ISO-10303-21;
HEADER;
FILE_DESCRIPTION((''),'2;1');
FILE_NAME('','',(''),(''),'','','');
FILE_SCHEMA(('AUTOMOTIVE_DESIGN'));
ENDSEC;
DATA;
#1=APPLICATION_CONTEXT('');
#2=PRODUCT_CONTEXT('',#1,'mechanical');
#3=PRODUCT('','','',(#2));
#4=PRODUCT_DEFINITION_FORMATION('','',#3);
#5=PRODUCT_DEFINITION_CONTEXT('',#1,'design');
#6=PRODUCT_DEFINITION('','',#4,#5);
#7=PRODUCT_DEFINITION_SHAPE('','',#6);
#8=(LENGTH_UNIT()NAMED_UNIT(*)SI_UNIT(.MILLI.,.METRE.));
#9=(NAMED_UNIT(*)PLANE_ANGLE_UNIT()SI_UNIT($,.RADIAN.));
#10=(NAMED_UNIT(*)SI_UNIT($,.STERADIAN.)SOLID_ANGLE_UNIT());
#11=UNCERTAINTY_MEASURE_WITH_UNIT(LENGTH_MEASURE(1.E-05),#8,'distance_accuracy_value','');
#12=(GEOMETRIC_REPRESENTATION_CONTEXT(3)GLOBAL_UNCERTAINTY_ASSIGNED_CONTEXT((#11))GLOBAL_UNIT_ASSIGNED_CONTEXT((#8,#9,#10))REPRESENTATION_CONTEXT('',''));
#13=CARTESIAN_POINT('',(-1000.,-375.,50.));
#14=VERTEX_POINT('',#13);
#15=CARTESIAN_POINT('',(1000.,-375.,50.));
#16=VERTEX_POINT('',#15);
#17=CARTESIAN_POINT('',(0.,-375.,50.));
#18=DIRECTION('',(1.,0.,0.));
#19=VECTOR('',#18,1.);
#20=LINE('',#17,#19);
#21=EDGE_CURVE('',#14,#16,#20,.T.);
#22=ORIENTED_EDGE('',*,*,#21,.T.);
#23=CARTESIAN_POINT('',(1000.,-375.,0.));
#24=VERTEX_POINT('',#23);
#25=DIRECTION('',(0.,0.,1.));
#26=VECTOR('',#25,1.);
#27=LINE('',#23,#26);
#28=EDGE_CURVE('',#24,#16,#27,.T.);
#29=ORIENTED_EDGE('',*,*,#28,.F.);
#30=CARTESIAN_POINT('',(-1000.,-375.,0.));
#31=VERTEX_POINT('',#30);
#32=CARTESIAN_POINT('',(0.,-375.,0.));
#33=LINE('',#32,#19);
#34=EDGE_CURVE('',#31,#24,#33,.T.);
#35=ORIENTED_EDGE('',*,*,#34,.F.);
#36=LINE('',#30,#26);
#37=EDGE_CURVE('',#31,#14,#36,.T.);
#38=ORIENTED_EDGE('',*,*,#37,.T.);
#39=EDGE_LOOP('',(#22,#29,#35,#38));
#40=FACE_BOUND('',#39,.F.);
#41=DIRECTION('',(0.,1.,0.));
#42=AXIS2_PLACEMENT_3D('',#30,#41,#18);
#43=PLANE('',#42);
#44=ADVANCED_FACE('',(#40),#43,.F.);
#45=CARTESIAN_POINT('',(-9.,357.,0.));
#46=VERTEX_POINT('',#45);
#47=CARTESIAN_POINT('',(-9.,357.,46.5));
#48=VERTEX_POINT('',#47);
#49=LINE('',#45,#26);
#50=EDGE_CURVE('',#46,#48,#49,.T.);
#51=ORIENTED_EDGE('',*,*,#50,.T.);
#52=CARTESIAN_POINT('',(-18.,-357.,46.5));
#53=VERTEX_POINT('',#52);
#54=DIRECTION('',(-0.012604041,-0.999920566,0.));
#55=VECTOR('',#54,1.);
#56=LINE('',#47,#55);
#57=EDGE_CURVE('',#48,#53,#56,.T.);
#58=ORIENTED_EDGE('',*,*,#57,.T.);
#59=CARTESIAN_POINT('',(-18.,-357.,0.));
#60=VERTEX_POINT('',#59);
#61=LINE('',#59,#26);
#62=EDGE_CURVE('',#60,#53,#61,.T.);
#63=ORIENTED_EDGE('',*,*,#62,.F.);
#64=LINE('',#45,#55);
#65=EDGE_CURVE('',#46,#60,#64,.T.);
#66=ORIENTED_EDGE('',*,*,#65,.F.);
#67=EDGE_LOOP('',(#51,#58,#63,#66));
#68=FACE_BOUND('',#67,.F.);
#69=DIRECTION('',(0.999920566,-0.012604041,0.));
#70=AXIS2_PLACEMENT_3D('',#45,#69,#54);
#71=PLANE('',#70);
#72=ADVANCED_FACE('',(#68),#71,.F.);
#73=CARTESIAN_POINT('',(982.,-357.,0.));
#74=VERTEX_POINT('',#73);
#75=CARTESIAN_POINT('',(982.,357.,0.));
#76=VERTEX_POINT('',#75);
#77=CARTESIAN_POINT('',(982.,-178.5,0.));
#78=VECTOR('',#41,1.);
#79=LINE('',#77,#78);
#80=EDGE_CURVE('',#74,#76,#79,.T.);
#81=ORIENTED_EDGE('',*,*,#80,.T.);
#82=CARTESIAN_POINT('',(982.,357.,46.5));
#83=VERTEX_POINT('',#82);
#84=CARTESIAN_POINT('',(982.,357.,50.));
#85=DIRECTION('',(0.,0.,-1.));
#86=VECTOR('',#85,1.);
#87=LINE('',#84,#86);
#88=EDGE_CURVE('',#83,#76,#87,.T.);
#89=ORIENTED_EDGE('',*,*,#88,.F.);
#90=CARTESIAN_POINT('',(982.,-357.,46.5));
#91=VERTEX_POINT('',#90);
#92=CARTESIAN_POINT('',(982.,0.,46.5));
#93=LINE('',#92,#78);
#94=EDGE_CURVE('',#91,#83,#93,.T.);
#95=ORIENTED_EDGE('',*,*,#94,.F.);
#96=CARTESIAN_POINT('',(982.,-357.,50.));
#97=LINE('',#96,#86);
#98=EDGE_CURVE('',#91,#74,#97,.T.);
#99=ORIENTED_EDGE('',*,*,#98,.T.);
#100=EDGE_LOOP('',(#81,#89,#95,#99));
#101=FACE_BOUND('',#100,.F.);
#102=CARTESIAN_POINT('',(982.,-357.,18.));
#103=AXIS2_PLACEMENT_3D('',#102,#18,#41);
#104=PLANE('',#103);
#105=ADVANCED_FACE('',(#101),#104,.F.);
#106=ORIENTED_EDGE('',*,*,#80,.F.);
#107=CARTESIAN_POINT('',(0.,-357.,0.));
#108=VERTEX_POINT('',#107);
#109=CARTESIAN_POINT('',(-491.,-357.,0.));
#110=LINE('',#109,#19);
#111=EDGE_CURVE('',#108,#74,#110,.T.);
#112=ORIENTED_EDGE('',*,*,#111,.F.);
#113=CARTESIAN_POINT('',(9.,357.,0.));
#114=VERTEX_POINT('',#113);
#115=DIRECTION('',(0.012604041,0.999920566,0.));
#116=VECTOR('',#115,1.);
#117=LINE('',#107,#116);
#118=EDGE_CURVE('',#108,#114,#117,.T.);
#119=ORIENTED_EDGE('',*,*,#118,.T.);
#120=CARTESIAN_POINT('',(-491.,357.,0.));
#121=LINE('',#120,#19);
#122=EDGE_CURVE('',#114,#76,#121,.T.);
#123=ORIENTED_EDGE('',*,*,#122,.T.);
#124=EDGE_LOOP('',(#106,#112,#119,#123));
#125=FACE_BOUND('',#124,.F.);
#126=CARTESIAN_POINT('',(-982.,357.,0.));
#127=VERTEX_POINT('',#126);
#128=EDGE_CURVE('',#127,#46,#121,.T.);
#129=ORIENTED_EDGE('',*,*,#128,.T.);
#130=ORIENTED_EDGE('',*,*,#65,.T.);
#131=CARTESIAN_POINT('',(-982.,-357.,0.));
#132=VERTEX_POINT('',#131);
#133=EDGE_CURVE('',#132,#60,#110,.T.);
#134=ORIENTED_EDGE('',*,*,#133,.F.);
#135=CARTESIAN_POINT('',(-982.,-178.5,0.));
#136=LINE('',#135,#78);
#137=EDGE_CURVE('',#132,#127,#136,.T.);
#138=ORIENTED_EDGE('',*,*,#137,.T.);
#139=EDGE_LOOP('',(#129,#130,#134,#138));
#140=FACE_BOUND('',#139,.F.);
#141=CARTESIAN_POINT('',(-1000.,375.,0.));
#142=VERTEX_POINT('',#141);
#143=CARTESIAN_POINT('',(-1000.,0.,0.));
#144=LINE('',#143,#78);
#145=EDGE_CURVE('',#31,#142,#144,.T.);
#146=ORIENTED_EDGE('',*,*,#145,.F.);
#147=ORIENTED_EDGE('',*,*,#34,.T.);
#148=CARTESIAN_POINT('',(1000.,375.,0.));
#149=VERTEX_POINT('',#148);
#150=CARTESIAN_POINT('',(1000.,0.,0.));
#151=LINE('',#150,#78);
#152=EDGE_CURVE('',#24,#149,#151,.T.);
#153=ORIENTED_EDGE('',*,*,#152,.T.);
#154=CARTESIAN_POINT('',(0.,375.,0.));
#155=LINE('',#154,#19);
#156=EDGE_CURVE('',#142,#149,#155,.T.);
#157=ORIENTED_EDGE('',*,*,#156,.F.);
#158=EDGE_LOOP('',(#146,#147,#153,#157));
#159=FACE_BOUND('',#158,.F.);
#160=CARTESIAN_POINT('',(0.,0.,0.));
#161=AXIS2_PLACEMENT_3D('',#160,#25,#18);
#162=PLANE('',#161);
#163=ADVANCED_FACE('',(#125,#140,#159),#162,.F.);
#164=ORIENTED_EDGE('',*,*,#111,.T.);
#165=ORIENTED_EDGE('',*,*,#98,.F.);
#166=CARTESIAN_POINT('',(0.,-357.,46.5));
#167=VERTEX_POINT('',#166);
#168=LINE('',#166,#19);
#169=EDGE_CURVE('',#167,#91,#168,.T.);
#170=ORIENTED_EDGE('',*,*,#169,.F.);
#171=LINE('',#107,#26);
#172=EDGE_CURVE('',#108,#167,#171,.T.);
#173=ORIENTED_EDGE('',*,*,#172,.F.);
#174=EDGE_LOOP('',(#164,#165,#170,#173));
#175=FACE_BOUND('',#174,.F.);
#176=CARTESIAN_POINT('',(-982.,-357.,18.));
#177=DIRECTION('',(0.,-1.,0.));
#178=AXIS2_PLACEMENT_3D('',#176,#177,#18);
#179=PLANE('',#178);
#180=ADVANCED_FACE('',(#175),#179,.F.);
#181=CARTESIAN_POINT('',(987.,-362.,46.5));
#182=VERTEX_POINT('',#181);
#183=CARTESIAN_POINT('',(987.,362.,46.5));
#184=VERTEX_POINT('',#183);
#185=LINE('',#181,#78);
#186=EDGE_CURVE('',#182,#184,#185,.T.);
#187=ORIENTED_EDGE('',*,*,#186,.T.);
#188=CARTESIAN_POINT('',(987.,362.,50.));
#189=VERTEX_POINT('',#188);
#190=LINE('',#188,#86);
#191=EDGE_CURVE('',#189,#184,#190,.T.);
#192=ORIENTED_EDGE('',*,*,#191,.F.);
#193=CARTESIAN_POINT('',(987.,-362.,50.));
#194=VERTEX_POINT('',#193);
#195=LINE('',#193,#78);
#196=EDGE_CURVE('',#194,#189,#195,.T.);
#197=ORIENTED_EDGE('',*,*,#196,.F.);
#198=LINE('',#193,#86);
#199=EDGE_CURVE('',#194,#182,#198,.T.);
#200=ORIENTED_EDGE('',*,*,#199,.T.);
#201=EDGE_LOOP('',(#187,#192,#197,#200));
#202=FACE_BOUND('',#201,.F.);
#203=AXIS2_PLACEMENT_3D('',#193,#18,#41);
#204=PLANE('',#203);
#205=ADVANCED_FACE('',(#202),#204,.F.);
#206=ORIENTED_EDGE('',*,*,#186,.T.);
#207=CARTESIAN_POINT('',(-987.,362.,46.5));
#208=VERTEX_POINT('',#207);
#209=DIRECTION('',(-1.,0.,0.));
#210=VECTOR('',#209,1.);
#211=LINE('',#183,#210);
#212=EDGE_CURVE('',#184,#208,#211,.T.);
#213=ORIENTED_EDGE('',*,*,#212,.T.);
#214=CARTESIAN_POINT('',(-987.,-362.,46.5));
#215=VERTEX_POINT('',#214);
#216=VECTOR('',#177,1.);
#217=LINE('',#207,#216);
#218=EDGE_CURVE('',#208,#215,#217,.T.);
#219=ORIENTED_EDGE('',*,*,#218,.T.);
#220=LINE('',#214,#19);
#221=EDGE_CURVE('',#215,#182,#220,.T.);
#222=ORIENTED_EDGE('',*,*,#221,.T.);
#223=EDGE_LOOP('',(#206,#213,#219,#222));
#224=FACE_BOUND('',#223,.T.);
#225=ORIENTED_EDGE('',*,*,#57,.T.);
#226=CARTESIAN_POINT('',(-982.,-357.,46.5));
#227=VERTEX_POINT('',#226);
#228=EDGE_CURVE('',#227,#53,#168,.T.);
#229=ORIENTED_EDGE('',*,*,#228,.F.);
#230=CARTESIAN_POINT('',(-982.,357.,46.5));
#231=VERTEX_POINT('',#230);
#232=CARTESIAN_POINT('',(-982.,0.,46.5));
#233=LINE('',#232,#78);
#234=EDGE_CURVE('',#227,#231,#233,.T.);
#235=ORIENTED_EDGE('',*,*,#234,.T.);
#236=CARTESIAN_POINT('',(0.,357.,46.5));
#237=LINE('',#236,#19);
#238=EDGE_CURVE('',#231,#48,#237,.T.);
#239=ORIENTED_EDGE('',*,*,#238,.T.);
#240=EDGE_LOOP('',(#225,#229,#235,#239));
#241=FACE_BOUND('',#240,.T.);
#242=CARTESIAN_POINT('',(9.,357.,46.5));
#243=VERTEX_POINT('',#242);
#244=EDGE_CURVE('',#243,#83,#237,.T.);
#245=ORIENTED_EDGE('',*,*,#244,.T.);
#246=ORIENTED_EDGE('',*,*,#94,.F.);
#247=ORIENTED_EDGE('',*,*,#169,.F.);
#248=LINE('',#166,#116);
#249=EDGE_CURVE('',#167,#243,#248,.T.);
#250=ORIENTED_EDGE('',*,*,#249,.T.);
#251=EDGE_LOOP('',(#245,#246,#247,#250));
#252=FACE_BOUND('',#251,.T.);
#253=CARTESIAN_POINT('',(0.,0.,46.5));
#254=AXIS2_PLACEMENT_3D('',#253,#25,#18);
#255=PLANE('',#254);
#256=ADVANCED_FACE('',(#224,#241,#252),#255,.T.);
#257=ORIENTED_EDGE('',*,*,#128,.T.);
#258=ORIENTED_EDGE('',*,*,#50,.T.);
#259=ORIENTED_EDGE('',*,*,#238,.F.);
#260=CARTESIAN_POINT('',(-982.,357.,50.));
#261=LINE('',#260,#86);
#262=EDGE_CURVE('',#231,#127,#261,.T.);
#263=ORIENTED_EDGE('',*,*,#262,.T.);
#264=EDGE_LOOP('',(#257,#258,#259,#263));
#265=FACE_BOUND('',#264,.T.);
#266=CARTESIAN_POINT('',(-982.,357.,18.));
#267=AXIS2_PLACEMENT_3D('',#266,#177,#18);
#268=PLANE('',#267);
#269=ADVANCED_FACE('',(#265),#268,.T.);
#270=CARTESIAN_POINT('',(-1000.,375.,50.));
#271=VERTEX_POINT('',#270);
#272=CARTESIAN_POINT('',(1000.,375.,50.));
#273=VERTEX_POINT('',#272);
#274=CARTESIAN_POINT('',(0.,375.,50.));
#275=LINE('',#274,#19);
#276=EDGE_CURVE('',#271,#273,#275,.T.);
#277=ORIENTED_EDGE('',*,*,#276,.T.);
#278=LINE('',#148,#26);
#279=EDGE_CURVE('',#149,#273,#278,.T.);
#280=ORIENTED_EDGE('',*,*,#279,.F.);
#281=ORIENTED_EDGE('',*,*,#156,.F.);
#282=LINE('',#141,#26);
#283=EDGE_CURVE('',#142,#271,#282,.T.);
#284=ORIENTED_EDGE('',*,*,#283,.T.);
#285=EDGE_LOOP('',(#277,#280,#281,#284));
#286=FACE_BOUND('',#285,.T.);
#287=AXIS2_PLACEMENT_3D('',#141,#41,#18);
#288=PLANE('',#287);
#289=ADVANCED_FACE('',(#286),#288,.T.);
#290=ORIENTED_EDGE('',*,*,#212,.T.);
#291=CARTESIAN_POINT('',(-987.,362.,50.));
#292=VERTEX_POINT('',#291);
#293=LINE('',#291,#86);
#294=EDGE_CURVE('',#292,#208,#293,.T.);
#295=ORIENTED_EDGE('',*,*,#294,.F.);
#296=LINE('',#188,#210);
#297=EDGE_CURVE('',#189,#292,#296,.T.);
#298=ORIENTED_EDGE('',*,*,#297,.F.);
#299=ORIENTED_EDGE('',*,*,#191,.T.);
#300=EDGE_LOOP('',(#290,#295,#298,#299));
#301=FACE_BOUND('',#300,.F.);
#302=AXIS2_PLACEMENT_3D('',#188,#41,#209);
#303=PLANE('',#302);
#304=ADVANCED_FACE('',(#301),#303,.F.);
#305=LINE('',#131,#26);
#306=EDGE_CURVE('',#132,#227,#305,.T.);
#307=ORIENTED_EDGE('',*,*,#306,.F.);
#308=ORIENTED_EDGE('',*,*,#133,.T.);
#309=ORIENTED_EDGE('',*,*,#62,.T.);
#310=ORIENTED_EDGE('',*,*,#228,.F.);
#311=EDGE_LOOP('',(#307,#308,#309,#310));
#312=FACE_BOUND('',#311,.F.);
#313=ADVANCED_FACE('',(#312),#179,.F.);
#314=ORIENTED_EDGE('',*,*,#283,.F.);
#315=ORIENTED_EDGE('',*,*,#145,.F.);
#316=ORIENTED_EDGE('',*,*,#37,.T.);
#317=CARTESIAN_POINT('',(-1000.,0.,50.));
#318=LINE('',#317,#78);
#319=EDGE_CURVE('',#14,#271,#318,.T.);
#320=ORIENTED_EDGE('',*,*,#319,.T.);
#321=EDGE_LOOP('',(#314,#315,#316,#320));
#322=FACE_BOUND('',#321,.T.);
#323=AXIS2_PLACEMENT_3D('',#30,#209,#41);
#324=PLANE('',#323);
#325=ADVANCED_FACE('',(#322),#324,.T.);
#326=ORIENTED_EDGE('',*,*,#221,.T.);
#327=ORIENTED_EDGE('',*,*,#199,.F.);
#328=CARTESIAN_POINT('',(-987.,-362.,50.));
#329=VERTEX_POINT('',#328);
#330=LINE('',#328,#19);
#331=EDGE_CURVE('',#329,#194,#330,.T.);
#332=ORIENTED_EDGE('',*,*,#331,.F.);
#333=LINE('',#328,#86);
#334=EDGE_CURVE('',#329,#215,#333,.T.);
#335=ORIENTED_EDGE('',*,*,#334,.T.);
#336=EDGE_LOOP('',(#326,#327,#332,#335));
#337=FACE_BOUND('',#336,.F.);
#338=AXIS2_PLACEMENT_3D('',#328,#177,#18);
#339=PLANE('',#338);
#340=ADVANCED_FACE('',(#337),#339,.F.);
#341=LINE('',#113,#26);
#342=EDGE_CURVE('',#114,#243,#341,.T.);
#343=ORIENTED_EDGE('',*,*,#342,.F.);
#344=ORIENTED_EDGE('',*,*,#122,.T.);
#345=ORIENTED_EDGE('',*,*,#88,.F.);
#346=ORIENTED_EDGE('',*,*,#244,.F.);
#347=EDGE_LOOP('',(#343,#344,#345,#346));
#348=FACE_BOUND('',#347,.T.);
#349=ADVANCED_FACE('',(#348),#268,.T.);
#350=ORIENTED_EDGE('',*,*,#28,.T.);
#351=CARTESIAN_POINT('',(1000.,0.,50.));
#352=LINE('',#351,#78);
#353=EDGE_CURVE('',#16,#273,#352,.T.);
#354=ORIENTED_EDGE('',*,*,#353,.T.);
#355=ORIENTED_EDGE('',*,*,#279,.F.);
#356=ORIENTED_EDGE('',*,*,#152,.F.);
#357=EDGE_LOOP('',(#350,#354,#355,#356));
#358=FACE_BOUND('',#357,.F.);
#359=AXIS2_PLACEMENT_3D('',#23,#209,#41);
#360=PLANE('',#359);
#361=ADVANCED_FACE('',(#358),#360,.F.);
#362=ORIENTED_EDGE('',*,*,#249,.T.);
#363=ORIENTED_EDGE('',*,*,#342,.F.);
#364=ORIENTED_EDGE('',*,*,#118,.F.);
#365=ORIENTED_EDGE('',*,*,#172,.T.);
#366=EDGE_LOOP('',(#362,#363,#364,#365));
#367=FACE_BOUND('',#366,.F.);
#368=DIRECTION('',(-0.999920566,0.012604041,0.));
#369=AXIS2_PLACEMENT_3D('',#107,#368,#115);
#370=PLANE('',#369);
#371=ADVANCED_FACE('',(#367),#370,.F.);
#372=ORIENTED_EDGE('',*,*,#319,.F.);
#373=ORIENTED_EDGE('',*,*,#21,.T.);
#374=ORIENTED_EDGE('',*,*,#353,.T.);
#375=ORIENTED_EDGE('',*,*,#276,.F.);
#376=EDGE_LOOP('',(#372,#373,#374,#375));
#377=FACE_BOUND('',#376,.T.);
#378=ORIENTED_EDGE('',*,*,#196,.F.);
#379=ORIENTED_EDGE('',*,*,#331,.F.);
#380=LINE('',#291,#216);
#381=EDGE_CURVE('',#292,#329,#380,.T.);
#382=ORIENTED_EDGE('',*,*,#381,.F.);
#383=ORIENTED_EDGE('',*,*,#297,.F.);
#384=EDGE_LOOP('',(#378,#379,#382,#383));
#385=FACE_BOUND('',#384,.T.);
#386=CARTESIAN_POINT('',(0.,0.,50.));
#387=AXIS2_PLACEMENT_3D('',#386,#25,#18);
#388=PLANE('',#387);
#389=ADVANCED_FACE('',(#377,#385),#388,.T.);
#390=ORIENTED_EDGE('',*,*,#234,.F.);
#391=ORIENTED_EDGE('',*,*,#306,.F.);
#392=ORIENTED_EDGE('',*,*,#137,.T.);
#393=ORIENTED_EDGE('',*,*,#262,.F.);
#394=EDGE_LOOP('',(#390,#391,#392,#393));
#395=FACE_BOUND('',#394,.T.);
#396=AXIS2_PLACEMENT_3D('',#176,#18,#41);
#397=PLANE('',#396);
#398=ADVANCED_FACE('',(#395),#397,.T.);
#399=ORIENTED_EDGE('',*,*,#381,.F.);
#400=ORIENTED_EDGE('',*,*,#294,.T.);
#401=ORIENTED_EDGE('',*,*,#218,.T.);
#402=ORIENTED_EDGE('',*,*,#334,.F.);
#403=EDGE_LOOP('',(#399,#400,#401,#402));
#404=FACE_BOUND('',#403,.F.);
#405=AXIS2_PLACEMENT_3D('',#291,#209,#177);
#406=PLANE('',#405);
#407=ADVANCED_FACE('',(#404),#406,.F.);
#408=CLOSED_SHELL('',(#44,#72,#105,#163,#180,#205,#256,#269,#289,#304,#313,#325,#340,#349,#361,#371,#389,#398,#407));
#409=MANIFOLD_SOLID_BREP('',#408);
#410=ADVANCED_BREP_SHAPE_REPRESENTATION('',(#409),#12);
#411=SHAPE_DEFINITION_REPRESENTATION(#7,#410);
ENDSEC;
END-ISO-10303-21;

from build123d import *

# Parameters (mm, degrees)
F0_W     = 2000
F0_H     = 750
F1_DEPTH = 50
F2_T     = -18
F3_DEPTH = 25
F5_DEPTH = 46.5
F6_W     = 1964
F6_H     = 714
F7_DEPTH = 3.5


with BuildPart() as f1:
    # F0 (on Top) → F1 (new body)
    with BuildSketch(Plane.XY):
        Rectangle(F0_W, F0_H)
    extrude(amount=F1_DEPTH)

    # F2
    f2_openings = [f1.faces().sort_by_distance(p)[0] for p in [
        (0, 0, 50),
    ]]
    offset(amount=F2_T, openings=f2_openings)

    # F3 (cut): a face of the model
    f3_faces = [f1.faces().sort_by_distance(p)[0] for p in [
        (0, 0, 18),
    ]]
    extrude(f3_faces, amount=-F3_DEPTH, mode=Mode.SUBTRACT)

    # F4 (on face) → F5 (join)
    with BuildSketch(Plane.XY):
        Polygon((9, 357), (0, 357), (-9, 357), (-18, -357), (0, -357), align=None)
    extrude(amount=F5_DEPTH)

    # F6 (on face) → F7 (cut)
    with BuildSketch(Plane.XY.offset(50)):
        Polygon((982, 362), (-982, 362), (-987, 362), (-987, 357), (-987, -357), (-987, -362), (-982, -362), (982, -362), (987, -362), (987, -357), (987, 357), (987, 362), align=None)
        Rectangle(F6_W, F6_H, mode=Mode.SUBTRACT)
    extrude(amount=-F7_DEPTH, mode=Mode.SUBTRACT)


solid = f1.part
